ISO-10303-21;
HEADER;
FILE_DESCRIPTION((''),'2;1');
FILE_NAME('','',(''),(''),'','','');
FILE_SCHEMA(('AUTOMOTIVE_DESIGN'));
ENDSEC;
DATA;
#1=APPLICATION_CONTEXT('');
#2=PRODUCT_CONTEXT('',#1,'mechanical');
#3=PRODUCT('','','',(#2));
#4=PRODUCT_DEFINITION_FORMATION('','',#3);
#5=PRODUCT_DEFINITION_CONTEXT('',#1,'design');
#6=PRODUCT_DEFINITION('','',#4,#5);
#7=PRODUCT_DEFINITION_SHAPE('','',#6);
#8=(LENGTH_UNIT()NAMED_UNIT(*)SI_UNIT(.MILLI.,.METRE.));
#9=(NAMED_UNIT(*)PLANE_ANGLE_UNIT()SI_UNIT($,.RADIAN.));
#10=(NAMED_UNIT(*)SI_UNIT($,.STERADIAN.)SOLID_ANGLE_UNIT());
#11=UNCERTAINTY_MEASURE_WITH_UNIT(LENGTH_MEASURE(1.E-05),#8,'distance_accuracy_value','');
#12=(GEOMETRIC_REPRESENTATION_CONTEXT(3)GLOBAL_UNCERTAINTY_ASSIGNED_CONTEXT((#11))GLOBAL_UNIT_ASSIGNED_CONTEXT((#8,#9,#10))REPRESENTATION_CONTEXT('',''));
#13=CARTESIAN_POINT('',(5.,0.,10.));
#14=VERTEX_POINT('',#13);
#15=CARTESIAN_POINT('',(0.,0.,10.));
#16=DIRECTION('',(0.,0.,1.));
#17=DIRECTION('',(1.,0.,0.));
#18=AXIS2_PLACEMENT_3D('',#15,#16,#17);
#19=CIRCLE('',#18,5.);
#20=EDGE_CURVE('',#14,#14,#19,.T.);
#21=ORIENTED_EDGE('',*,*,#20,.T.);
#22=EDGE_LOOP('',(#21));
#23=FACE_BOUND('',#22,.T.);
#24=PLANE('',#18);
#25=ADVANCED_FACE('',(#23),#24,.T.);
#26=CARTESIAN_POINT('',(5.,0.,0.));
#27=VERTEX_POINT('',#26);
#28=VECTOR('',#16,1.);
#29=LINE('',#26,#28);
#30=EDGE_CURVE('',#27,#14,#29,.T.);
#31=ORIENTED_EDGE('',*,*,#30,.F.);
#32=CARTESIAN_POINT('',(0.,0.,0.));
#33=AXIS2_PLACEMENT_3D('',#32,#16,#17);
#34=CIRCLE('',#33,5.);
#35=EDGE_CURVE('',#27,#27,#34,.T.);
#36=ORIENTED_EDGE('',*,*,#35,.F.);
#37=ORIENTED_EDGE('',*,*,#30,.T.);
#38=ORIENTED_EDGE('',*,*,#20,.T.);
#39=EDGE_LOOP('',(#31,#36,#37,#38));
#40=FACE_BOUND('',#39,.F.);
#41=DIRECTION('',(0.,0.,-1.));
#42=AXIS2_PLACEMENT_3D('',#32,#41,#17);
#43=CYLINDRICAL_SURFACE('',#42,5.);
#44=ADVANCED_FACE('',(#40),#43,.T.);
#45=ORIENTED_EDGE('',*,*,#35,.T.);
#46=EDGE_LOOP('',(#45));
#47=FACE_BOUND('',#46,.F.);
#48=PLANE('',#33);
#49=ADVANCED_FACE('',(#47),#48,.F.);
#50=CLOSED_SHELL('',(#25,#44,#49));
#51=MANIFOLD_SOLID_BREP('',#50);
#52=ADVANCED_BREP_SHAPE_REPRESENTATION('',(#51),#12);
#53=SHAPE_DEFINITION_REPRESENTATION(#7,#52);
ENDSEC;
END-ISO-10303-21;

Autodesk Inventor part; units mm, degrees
ref_plane "YZ Plane" through (0, 0, 0) normal (1, 0, 0) x (0, 1, 0)
ref_plane "XZ Plane" through (0, 0, 0) normal (0, 1, 0) x (-1, 0, 0)
ref_plane "XY Plane" through (0, 0, 0) normal (0, 0, 1) x (1, 0, 0)
sketch "Sketch1" plane through (0, 0, 0) normal (0, 0, 1) x (1, 0, 0)
  circle A0 centre (0, 0) radius 5
  dimension "d0" = 10
extrude "Extrusion1" add sketch "Sketch1" along normal blind 10
properties part number "test"
